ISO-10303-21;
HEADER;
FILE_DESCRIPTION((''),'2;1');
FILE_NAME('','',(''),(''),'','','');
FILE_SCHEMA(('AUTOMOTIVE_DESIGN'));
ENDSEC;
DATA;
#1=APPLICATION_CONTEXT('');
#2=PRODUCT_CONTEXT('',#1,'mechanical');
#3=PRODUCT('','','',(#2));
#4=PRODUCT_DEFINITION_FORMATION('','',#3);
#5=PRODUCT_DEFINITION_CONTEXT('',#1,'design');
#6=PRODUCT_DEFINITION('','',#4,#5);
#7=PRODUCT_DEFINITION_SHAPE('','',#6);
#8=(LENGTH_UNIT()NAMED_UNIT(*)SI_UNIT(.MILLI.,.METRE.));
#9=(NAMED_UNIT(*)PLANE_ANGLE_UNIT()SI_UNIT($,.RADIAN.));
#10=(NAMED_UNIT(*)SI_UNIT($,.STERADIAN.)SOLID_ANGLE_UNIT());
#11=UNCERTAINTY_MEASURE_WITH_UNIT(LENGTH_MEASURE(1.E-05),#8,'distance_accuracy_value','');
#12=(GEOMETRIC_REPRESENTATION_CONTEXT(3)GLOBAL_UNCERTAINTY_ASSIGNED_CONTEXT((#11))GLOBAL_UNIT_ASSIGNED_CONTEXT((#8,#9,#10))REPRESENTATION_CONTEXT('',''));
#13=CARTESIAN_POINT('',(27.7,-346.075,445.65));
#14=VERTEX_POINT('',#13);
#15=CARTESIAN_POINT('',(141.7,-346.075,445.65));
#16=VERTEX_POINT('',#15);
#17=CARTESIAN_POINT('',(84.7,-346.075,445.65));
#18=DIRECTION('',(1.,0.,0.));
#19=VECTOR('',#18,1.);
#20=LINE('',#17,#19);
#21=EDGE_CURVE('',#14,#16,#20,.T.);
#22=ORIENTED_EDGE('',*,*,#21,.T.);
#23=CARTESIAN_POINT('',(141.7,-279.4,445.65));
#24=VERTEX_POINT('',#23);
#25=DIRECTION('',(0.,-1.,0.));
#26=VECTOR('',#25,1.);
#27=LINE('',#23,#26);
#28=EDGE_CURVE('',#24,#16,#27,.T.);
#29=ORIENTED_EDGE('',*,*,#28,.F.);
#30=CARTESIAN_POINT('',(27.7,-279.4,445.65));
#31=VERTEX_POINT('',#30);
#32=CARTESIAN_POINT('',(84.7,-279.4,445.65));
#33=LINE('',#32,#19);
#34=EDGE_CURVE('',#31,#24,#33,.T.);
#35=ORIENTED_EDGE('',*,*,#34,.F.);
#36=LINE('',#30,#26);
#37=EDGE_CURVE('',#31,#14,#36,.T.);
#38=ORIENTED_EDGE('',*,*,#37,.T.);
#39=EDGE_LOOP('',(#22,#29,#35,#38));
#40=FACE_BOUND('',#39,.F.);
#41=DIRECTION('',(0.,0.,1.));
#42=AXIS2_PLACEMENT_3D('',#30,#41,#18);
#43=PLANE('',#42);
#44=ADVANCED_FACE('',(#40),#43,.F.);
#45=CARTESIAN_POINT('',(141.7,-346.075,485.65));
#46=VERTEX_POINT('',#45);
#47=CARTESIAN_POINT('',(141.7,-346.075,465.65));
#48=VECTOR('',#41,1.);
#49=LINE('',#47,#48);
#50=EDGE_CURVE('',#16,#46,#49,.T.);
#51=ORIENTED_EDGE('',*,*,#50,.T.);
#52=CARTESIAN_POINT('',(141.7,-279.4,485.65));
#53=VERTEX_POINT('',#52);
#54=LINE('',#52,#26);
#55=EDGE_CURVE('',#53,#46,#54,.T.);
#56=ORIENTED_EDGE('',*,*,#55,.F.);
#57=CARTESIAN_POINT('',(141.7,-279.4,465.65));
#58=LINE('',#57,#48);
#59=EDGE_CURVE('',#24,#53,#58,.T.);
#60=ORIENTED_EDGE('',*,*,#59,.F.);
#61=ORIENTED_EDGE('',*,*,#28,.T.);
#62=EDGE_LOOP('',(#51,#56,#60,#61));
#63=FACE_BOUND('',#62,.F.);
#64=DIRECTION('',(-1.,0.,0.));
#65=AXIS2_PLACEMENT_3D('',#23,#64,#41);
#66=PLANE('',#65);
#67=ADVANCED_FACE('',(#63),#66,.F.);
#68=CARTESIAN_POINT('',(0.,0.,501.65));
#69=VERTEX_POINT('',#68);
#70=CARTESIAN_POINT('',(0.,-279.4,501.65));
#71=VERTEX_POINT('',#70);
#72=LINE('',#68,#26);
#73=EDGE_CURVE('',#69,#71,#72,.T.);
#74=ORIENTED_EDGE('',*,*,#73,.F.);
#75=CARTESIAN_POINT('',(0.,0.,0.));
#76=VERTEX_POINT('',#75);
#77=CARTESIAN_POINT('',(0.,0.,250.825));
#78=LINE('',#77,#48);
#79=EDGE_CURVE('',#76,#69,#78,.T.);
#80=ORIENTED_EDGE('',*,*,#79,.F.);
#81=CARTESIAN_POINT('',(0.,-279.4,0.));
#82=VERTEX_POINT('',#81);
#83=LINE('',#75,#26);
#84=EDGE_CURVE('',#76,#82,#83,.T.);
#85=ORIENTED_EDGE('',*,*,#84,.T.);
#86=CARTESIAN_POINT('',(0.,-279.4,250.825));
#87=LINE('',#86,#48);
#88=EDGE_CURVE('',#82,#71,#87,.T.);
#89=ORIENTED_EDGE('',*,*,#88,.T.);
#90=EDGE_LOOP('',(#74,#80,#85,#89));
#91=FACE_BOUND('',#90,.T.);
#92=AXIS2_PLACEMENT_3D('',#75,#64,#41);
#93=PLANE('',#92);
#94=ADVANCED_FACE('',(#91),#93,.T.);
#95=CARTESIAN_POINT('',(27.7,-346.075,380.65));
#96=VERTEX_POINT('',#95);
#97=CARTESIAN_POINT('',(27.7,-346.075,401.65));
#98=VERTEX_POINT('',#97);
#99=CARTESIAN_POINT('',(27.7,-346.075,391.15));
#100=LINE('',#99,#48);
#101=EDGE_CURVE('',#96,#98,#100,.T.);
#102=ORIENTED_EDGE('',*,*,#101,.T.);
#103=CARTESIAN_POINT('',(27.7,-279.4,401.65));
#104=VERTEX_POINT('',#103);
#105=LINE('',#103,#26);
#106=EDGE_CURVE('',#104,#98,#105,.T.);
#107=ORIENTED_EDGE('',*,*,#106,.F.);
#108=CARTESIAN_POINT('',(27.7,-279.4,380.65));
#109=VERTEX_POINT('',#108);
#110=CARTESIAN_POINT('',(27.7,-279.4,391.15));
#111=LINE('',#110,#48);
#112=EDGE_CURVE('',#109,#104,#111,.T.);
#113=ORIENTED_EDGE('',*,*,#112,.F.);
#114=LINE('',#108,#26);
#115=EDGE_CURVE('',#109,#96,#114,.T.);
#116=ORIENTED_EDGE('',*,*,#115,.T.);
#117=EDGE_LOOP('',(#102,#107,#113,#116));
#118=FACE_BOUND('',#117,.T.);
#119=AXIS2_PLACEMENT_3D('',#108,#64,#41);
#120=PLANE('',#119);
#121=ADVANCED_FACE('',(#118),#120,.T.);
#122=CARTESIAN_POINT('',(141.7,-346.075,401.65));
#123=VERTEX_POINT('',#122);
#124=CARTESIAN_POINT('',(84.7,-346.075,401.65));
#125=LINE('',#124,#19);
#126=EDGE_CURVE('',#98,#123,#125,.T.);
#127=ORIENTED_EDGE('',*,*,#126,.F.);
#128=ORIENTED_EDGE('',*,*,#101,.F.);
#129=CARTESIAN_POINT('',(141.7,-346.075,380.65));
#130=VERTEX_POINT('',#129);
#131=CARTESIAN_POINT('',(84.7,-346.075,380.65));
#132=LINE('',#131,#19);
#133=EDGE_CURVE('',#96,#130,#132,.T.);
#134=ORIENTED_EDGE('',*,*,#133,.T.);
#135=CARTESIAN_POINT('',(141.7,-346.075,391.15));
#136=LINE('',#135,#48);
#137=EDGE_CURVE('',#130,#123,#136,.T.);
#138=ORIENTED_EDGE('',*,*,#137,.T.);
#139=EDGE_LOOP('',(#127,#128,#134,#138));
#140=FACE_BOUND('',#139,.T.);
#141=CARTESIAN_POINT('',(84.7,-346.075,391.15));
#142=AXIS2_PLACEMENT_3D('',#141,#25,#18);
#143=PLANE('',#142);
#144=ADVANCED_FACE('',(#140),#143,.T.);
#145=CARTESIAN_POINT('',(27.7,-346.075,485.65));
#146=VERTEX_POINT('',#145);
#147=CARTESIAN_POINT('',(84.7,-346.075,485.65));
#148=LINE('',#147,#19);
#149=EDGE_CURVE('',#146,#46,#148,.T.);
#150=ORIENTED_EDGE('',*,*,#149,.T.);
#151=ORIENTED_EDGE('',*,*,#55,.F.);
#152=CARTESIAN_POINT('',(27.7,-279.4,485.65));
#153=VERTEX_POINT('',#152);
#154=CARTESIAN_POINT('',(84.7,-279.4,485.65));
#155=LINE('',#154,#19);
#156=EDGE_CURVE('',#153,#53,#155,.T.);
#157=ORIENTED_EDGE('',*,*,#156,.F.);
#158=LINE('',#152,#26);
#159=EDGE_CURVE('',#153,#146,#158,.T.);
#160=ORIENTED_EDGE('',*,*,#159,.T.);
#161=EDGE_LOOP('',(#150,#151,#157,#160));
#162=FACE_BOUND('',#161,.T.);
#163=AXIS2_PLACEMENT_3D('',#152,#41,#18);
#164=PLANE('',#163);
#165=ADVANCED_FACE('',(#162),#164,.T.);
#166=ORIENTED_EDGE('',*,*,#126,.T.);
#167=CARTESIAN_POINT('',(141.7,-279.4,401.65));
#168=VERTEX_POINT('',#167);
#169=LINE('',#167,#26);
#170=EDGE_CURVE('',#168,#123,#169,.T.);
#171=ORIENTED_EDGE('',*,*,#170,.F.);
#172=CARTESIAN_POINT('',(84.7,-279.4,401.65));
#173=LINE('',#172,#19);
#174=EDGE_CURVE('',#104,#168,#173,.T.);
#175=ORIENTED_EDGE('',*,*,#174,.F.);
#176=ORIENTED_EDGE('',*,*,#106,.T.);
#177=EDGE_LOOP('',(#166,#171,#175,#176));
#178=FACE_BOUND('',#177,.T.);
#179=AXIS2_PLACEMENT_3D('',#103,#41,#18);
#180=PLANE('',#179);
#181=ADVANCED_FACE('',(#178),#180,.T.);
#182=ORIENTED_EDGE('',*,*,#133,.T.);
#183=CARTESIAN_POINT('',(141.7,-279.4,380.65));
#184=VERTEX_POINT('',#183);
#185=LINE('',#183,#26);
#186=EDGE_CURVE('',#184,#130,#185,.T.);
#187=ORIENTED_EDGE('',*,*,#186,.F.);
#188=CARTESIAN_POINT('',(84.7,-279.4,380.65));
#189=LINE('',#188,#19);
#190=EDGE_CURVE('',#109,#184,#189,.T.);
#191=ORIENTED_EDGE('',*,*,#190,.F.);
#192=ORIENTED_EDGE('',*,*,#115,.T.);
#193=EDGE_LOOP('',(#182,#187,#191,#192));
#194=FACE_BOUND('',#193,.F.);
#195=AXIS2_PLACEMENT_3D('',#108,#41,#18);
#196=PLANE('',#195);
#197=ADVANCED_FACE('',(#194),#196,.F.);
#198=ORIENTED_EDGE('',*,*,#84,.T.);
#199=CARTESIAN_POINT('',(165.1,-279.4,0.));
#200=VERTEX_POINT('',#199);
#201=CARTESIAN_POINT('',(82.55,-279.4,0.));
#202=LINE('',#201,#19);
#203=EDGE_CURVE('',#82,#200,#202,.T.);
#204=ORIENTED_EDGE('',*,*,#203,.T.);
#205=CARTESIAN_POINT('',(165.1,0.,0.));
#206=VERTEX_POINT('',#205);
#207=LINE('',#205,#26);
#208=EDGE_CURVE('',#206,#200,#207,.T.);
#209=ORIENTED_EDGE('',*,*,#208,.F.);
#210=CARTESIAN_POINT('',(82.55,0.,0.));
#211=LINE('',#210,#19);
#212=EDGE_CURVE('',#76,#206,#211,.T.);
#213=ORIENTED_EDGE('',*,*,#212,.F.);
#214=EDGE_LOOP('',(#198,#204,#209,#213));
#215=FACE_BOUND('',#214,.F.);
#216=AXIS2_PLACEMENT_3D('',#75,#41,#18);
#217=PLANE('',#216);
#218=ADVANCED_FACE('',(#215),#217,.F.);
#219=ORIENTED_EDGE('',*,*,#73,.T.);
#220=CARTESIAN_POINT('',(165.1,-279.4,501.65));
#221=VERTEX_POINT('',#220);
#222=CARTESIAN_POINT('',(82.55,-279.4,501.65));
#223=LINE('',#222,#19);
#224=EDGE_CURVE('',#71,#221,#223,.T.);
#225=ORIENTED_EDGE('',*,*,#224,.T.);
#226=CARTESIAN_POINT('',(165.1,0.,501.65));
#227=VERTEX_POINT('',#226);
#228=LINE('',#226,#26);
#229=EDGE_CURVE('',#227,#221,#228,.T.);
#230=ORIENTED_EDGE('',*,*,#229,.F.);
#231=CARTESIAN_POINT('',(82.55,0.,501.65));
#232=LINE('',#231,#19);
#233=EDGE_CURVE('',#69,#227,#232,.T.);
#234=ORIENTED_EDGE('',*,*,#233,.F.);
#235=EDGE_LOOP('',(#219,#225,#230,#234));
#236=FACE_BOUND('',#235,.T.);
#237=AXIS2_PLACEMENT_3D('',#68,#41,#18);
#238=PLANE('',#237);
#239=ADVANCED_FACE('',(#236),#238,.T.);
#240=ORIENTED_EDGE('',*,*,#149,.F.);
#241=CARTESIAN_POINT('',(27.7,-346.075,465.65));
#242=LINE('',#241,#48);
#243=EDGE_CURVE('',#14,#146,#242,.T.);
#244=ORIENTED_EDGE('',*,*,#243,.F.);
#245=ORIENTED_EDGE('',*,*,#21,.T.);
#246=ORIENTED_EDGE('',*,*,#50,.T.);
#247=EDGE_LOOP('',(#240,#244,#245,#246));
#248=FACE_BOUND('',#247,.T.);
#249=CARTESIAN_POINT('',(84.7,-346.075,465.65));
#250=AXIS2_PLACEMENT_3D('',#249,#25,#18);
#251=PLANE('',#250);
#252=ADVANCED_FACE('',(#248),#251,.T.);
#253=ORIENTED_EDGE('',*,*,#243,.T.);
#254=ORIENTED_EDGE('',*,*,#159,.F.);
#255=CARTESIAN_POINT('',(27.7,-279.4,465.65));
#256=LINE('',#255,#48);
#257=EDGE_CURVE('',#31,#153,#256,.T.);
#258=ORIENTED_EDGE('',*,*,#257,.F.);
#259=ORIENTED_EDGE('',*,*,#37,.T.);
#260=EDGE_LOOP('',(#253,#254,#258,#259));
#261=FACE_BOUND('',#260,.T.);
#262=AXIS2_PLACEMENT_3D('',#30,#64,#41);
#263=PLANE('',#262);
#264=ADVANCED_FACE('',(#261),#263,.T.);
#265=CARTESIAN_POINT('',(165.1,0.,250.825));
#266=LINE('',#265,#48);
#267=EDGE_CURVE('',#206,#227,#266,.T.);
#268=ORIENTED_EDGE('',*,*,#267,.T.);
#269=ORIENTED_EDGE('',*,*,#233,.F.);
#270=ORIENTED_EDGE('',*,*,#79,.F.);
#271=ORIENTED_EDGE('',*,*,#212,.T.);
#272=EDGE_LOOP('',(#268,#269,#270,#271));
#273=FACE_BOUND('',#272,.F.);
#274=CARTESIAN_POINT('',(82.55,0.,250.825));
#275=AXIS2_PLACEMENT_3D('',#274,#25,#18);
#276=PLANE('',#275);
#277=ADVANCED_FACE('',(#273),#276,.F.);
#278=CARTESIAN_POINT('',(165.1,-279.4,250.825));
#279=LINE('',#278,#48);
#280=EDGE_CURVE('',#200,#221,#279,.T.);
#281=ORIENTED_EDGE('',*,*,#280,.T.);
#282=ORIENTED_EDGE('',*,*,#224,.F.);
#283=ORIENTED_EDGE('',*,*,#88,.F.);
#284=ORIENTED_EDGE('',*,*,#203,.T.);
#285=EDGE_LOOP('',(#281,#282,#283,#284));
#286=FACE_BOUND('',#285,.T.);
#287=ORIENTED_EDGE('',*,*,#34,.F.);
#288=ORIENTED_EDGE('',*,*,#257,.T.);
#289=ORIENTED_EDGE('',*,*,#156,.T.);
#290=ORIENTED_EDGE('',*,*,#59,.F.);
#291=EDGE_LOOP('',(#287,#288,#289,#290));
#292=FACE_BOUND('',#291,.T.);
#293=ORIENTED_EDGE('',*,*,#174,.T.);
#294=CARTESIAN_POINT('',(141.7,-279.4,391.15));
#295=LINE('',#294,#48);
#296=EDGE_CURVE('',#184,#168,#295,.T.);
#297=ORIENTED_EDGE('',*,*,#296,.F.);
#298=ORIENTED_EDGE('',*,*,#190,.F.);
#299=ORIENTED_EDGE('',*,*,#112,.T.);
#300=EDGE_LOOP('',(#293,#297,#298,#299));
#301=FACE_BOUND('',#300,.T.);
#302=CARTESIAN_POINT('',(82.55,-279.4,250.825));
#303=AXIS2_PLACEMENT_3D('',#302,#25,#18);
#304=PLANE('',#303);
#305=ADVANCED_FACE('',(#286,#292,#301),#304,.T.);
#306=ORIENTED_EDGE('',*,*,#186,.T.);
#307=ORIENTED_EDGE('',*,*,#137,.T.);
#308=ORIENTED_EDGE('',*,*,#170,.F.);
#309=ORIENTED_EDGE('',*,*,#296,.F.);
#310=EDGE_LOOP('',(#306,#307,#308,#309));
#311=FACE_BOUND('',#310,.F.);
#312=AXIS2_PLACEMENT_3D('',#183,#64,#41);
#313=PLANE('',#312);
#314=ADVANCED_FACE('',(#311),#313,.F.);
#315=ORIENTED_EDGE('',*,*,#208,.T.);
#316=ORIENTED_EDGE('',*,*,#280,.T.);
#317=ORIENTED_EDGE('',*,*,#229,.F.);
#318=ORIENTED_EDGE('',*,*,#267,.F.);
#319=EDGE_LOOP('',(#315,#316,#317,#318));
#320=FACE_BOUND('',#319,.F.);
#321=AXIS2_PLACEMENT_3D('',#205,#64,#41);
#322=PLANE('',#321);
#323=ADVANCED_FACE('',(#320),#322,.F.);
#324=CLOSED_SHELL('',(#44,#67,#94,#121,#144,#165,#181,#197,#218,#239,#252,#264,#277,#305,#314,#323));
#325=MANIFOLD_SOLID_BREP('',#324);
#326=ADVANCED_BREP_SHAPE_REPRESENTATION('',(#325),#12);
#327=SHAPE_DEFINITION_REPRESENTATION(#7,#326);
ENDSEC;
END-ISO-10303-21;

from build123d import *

# Parameters (mm, degrees)
F0_W     = 165.1
F0_H     = 501.65
F1_DEPTH = 279.4
F2_W     = 114
F2_H     = 40
F2_H_2   = 21
F3_DEPTH = 66.675


with BuildPart() as f1:
    # F0 (on Front) → F1 (new body)
    with BuildSketch(Plane.XZ):
        with Locations((82.55, 250.825)):
            Rectangle(F0_W, F0_H)
    extrude(amount=F1_DEPTH)

    # F2 (on face) → F3 (join)
    with BuildSketch(Plane.XZ.offset(279.4)):
        with Locations((84.7, 465.65)):
            Rectangle(F2_W, F2_H)
        with Locations((84.7, 391.15)):
            Rectangle(F2_W, F2_H_2)
    extrude(amount=F3_DEPTH)


solid = f1.part
